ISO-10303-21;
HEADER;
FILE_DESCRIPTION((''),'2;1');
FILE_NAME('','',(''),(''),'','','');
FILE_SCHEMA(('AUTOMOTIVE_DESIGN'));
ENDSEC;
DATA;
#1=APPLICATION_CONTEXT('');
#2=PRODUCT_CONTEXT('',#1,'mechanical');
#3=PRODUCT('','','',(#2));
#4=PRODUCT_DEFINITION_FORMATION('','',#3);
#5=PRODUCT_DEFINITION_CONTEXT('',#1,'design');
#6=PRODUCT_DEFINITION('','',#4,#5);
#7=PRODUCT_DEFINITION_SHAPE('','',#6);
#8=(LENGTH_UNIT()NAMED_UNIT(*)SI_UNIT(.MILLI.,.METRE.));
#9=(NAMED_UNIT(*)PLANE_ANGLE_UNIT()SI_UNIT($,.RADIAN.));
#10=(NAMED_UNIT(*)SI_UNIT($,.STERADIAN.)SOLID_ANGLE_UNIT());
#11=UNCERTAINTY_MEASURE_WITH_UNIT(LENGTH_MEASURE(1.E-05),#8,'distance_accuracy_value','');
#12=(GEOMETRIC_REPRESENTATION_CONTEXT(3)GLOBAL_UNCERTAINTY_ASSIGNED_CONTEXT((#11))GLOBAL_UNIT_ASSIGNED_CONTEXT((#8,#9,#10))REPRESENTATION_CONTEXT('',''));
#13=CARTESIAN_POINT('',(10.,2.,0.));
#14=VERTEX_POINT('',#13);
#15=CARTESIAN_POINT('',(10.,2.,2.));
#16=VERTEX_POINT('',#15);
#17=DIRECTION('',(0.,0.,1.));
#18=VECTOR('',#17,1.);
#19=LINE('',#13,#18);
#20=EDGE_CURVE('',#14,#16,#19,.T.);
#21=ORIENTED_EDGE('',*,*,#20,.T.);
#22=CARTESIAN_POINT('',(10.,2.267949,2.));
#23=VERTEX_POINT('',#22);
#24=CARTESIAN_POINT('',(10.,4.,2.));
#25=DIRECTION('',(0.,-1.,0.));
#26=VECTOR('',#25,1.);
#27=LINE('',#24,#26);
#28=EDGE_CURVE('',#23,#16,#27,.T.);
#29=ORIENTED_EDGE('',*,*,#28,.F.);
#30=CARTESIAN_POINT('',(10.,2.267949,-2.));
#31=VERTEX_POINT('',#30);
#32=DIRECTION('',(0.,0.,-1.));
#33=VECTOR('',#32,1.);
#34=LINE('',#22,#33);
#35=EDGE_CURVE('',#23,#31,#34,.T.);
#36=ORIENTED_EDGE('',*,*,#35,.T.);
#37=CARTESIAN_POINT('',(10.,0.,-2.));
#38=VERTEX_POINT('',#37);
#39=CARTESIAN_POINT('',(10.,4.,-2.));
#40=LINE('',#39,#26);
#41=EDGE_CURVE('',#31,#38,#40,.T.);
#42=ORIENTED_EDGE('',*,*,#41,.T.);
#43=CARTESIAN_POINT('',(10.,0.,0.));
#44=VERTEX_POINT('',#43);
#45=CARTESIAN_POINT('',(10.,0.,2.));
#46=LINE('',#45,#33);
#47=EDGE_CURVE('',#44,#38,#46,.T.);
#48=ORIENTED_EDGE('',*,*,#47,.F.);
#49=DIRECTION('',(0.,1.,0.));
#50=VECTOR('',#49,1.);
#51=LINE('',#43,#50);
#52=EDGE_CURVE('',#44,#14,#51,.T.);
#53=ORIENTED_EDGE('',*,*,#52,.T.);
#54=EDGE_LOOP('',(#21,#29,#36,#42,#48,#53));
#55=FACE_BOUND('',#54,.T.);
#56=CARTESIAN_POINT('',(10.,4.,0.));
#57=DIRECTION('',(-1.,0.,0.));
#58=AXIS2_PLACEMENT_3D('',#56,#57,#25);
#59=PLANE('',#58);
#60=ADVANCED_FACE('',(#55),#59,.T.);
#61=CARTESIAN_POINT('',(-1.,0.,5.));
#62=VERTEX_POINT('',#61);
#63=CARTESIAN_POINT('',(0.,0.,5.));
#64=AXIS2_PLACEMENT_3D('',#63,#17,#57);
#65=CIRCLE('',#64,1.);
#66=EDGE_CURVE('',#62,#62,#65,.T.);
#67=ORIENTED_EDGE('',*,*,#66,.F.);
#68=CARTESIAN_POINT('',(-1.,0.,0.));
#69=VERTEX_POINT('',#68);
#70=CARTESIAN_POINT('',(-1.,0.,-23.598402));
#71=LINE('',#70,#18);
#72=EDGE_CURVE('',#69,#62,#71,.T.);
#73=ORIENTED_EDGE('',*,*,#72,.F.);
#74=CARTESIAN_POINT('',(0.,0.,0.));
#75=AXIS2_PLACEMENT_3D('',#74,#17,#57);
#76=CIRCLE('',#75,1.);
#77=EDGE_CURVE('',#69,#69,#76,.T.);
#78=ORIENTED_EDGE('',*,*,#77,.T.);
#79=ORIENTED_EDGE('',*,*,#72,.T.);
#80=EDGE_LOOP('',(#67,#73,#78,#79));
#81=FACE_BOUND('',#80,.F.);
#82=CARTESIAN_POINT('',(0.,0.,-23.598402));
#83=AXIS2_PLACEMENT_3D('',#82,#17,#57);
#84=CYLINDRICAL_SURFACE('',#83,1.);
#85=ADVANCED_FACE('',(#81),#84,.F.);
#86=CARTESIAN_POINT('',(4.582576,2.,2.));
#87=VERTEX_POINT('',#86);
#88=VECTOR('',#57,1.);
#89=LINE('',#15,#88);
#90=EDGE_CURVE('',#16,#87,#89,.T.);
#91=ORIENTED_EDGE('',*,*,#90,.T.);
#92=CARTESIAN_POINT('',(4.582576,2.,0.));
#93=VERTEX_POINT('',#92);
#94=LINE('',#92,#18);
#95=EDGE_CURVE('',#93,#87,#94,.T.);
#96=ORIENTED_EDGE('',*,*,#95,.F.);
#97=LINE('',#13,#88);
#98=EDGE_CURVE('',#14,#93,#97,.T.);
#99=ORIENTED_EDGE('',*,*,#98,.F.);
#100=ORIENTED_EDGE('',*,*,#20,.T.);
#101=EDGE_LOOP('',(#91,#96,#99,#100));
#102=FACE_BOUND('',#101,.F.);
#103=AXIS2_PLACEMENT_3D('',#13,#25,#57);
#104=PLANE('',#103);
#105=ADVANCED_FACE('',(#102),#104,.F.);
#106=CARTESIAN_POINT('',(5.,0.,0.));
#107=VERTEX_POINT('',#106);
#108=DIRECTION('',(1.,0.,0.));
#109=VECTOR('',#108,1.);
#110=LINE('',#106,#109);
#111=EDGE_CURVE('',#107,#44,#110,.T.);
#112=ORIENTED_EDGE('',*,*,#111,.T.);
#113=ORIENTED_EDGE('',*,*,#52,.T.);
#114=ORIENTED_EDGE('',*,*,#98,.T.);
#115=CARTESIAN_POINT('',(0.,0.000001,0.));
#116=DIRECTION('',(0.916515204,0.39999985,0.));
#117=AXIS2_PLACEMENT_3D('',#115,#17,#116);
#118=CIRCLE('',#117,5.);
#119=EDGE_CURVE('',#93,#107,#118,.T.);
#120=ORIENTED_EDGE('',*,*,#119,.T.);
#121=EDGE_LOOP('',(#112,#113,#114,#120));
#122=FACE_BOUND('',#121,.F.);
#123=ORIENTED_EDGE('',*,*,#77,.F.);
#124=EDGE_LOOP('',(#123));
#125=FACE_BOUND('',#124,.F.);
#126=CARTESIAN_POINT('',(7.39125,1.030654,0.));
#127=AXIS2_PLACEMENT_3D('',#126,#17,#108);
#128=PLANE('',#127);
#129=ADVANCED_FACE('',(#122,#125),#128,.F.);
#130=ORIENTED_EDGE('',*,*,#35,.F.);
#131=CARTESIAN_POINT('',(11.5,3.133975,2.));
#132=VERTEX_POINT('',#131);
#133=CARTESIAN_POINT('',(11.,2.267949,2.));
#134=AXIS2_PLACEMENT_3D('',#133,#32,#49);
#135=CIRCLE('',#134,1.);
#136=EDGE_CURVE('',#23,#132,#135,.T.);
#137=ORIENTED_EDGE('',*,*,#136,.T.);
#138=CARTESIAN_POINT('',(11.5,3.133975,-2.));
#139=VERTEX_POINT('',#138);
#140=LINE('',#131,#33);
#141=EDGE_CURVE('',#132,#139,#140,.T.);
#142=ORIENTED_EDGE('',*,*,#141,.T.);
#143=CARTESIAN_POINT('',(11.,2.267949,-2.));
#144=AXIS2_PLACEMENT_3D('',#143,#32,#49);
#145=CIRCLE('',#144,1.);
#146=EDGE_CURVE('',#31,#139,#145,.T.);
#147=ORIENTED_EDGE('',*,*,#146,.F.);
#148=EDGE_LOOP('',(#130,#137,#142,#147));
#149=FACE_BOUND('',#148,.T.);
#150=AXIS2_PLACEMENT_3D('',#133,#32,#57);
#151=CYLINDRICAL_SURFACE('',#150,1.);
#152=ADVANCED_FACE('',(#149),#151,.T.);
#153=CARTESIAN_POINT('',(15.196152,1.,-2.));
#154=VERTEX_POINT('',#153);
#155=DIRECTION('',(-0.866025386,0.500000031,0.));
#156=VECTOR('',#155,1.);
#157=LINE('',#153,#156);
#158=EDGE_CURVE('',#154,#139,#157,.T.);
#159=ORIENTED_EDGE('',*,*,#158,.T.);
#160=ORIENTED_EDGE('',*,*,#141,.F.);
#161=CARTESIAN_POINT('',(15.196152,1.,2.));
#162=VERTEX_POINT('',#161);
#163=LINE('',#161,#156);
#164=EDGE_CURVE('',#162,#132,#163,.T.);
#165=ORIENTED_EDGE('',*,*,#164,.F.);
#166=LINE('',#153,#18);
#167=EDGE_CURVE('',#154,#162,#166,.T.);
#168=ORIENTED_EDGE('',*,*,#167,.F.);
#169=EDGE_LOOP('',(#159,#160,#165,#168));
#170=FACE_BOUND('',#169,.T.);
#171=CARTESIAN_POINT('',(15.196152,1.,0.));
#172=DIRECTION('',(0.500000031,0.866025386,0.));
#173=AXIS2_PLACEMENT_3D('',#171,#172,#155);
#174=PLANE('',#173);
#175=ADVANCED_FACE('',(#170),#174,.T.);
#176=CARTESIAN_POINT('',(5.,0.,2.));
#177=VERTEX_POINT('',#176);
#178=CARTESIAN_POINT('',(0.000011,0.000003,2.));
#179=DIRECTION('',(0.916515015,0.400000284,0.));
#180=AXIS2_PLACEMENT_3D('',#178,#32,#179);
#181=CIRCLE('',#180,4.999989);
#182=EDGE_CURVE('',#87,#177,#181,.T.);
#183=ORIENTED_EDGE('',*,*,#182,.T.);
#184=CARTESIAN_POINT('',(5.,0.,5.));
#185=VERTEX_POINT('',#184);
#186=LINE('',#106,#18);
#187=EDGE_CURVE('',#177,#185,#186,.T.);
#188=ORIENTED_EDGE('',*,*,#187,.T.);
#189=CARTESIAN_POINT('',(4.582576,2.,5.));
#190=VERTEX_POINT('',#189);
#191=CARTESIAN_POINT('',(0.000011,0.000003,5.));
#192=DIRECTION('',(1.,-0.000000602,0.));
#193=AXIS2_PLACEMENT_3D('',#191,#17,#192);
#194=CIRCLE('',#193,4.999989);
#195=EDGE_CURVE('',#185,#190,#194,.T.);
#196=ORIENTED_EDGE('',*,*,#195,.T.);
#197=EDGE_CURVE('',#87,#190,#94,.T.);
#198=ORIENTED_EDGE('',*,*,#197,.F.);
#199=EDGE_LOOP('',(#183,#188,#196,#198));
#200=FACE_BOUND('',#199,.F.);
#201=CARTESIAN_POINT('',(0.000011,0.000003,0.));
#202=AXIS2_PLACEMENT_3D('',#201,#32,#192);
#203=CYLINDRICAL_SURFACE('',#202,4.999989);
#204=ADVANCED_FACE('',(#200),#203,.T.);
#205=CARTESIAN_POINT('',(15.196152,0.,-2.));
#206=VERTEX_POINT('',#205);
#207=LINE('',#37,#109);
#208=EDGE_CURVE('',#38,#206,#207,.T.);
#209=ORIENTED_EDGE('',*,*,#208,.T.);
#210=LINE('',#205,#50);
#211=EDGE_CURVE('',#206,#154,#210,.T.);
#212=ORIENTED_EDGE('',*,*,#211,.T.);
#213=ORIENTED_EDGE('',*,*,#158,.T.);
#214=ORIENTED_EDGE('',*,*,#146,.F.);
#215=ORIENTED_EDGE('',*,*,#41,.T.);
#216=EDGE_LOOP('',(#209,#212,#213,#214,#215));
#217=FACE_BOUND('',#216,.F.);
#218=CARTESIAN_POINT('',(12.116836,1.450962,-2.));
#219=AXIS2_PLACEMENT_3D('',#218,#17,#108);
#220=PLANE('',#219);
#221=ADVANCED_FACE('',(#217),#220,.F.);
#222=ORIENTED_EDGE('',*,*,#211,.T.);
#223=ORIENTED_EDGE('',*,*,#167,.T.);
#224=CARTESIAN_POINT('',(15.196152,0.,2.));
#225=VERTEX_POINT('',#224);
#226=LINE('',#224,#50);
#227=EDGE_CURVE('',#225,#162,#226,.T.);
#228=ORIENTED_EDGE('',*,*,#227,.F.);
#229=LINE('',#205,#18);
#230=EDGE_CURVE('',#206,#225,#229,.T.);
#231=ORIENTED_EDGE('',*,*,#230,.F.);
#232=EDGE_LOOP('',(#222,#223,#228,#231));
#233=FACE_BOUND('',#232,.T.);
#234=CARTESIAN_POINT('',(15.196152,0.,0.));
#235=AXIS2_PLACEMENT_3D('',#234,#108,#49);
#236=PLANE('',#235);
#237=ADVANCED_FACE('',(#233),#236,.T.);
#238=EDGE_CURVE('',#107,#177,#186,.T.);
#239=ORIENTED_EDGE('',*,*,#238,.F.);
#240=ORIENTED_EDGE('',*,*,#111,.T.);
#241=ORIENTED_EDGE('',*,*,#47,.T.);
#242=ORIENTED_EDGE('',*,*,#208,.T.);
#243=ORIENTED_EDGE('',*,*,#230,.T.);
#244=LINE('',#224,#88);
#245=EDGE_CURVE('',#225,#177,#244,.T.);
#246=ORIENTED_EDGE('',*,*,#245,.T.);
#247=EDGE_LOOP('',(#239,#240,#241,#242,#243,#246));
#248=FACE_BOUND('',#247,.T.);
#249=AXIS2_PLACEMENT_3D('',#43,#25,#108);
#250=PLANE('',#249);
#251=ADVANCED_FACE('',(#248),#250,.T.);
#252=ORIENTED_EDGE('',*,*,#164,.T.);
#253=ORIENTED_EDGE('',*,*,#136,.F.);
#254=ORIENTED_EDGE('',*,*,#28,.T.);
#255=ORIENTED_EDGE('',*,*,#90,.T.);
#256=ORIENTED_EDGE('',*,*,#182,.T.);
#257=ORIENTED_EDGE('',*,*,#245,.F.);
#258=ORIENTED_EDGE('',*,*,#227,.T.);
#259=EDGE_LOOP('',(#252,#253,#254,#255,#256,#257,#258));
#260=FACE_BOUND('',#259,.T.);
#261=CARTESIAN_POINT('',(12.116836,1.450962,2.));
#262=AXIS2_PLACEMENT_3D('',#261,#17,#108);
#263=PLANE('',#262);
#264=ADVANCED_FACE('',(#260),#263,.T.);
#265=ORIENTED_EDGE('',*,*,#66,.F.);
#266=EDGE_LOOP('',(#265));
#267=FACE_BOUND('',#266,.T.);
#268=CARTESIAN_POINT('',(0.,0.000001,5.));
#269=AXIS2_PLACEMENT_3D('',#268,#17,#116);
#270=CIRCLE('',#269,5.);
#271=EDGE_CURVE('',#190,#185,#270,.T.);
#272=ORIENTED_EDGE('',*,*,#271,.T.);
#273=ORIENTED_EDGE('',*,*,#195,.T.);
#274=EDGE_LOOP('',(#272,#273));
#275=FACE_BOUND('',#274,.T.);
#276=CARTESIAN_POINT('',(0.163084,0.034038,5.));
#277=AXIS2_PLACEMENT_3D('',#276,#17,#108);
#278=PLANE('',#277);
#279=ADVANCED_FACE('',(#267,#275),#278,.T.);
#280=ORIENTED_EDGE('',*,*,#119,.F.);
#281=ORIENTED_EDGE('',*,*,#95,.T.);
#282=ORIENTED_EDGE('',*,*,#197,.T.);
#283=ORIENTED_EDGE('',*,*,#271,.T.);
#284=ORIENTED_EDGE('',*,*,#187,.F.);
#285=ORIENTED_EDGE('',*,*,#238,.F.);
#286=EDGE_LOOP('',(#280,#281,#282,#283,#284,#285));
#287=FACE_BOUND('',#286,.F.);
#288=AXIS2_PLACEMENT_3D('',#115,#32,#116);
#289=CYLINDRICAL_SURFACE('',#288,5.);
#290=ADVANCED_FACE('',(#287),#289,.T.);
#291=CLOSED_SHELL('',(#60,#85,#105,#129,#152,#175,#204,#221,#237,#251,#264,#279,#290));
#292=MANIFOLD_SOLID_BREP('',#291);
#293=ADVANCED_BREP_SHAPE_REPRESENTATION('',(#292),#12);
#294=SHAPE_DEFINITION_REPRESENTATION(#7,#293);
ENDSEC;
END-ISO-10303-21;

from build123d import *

# Parameters (mm, degrees)
F1_DEPTH = 5
F2_DEPTH = 2
F3_DEPTH = 2
F4_R     = 1
F5_D     = 2


with BuildPart() as f1:
    # F0 (on Top) → F1 (new body)
    with BuildSketch(Plane.XY):
        with BuildLine():
            ThreePointArc((4.582576, 2), (-4.894532, -1.021548), (5, 0))
            ThreePointArc((5, 0), (4.894532, 1.021548), (4.582576, 2))
        make_face()
    extrude(amount=F1_DEPTH)

    # F0 (on Top) → F2 (join)
    with BuildSketch(Plane.XY):
        with BuildLine():
            ThreePointArc((4.582576, 2), (4.894532, 1.021548), (5, 0))
            Line((5, 0), (10, 0))
            Line((10, 0), (10, 2))
            Line((10, 2), (4.582576, 2))
        make_face()
    extrude(amount=F2_DEPTH)

    # F0 (on Top) → F3 (join, symmetric)
    with BuildSketch(Plane.XY):
        Polygon((10, 2), (10, 0), (15.196152, 0), (15.196152, 1), (10, 4), align=None)
    extrude(amount=F3_DEPTH, both=True)

    # F4
    f4_edges = [f1.edges().sort_by_distance(p)[0] for p in [
        (10, 4, 0),
    ]]
    fillet(f4_edges, radius=F4_R)

    # F5 (through all)
    with Locations(Plane(origin=(0, 0, 0), x_dir=(1, 0, 0), z_dir=(0, 0, -1))):
        with Locations((0, 0)):
            Hole(F5_D / 2)


solid = f1.part
